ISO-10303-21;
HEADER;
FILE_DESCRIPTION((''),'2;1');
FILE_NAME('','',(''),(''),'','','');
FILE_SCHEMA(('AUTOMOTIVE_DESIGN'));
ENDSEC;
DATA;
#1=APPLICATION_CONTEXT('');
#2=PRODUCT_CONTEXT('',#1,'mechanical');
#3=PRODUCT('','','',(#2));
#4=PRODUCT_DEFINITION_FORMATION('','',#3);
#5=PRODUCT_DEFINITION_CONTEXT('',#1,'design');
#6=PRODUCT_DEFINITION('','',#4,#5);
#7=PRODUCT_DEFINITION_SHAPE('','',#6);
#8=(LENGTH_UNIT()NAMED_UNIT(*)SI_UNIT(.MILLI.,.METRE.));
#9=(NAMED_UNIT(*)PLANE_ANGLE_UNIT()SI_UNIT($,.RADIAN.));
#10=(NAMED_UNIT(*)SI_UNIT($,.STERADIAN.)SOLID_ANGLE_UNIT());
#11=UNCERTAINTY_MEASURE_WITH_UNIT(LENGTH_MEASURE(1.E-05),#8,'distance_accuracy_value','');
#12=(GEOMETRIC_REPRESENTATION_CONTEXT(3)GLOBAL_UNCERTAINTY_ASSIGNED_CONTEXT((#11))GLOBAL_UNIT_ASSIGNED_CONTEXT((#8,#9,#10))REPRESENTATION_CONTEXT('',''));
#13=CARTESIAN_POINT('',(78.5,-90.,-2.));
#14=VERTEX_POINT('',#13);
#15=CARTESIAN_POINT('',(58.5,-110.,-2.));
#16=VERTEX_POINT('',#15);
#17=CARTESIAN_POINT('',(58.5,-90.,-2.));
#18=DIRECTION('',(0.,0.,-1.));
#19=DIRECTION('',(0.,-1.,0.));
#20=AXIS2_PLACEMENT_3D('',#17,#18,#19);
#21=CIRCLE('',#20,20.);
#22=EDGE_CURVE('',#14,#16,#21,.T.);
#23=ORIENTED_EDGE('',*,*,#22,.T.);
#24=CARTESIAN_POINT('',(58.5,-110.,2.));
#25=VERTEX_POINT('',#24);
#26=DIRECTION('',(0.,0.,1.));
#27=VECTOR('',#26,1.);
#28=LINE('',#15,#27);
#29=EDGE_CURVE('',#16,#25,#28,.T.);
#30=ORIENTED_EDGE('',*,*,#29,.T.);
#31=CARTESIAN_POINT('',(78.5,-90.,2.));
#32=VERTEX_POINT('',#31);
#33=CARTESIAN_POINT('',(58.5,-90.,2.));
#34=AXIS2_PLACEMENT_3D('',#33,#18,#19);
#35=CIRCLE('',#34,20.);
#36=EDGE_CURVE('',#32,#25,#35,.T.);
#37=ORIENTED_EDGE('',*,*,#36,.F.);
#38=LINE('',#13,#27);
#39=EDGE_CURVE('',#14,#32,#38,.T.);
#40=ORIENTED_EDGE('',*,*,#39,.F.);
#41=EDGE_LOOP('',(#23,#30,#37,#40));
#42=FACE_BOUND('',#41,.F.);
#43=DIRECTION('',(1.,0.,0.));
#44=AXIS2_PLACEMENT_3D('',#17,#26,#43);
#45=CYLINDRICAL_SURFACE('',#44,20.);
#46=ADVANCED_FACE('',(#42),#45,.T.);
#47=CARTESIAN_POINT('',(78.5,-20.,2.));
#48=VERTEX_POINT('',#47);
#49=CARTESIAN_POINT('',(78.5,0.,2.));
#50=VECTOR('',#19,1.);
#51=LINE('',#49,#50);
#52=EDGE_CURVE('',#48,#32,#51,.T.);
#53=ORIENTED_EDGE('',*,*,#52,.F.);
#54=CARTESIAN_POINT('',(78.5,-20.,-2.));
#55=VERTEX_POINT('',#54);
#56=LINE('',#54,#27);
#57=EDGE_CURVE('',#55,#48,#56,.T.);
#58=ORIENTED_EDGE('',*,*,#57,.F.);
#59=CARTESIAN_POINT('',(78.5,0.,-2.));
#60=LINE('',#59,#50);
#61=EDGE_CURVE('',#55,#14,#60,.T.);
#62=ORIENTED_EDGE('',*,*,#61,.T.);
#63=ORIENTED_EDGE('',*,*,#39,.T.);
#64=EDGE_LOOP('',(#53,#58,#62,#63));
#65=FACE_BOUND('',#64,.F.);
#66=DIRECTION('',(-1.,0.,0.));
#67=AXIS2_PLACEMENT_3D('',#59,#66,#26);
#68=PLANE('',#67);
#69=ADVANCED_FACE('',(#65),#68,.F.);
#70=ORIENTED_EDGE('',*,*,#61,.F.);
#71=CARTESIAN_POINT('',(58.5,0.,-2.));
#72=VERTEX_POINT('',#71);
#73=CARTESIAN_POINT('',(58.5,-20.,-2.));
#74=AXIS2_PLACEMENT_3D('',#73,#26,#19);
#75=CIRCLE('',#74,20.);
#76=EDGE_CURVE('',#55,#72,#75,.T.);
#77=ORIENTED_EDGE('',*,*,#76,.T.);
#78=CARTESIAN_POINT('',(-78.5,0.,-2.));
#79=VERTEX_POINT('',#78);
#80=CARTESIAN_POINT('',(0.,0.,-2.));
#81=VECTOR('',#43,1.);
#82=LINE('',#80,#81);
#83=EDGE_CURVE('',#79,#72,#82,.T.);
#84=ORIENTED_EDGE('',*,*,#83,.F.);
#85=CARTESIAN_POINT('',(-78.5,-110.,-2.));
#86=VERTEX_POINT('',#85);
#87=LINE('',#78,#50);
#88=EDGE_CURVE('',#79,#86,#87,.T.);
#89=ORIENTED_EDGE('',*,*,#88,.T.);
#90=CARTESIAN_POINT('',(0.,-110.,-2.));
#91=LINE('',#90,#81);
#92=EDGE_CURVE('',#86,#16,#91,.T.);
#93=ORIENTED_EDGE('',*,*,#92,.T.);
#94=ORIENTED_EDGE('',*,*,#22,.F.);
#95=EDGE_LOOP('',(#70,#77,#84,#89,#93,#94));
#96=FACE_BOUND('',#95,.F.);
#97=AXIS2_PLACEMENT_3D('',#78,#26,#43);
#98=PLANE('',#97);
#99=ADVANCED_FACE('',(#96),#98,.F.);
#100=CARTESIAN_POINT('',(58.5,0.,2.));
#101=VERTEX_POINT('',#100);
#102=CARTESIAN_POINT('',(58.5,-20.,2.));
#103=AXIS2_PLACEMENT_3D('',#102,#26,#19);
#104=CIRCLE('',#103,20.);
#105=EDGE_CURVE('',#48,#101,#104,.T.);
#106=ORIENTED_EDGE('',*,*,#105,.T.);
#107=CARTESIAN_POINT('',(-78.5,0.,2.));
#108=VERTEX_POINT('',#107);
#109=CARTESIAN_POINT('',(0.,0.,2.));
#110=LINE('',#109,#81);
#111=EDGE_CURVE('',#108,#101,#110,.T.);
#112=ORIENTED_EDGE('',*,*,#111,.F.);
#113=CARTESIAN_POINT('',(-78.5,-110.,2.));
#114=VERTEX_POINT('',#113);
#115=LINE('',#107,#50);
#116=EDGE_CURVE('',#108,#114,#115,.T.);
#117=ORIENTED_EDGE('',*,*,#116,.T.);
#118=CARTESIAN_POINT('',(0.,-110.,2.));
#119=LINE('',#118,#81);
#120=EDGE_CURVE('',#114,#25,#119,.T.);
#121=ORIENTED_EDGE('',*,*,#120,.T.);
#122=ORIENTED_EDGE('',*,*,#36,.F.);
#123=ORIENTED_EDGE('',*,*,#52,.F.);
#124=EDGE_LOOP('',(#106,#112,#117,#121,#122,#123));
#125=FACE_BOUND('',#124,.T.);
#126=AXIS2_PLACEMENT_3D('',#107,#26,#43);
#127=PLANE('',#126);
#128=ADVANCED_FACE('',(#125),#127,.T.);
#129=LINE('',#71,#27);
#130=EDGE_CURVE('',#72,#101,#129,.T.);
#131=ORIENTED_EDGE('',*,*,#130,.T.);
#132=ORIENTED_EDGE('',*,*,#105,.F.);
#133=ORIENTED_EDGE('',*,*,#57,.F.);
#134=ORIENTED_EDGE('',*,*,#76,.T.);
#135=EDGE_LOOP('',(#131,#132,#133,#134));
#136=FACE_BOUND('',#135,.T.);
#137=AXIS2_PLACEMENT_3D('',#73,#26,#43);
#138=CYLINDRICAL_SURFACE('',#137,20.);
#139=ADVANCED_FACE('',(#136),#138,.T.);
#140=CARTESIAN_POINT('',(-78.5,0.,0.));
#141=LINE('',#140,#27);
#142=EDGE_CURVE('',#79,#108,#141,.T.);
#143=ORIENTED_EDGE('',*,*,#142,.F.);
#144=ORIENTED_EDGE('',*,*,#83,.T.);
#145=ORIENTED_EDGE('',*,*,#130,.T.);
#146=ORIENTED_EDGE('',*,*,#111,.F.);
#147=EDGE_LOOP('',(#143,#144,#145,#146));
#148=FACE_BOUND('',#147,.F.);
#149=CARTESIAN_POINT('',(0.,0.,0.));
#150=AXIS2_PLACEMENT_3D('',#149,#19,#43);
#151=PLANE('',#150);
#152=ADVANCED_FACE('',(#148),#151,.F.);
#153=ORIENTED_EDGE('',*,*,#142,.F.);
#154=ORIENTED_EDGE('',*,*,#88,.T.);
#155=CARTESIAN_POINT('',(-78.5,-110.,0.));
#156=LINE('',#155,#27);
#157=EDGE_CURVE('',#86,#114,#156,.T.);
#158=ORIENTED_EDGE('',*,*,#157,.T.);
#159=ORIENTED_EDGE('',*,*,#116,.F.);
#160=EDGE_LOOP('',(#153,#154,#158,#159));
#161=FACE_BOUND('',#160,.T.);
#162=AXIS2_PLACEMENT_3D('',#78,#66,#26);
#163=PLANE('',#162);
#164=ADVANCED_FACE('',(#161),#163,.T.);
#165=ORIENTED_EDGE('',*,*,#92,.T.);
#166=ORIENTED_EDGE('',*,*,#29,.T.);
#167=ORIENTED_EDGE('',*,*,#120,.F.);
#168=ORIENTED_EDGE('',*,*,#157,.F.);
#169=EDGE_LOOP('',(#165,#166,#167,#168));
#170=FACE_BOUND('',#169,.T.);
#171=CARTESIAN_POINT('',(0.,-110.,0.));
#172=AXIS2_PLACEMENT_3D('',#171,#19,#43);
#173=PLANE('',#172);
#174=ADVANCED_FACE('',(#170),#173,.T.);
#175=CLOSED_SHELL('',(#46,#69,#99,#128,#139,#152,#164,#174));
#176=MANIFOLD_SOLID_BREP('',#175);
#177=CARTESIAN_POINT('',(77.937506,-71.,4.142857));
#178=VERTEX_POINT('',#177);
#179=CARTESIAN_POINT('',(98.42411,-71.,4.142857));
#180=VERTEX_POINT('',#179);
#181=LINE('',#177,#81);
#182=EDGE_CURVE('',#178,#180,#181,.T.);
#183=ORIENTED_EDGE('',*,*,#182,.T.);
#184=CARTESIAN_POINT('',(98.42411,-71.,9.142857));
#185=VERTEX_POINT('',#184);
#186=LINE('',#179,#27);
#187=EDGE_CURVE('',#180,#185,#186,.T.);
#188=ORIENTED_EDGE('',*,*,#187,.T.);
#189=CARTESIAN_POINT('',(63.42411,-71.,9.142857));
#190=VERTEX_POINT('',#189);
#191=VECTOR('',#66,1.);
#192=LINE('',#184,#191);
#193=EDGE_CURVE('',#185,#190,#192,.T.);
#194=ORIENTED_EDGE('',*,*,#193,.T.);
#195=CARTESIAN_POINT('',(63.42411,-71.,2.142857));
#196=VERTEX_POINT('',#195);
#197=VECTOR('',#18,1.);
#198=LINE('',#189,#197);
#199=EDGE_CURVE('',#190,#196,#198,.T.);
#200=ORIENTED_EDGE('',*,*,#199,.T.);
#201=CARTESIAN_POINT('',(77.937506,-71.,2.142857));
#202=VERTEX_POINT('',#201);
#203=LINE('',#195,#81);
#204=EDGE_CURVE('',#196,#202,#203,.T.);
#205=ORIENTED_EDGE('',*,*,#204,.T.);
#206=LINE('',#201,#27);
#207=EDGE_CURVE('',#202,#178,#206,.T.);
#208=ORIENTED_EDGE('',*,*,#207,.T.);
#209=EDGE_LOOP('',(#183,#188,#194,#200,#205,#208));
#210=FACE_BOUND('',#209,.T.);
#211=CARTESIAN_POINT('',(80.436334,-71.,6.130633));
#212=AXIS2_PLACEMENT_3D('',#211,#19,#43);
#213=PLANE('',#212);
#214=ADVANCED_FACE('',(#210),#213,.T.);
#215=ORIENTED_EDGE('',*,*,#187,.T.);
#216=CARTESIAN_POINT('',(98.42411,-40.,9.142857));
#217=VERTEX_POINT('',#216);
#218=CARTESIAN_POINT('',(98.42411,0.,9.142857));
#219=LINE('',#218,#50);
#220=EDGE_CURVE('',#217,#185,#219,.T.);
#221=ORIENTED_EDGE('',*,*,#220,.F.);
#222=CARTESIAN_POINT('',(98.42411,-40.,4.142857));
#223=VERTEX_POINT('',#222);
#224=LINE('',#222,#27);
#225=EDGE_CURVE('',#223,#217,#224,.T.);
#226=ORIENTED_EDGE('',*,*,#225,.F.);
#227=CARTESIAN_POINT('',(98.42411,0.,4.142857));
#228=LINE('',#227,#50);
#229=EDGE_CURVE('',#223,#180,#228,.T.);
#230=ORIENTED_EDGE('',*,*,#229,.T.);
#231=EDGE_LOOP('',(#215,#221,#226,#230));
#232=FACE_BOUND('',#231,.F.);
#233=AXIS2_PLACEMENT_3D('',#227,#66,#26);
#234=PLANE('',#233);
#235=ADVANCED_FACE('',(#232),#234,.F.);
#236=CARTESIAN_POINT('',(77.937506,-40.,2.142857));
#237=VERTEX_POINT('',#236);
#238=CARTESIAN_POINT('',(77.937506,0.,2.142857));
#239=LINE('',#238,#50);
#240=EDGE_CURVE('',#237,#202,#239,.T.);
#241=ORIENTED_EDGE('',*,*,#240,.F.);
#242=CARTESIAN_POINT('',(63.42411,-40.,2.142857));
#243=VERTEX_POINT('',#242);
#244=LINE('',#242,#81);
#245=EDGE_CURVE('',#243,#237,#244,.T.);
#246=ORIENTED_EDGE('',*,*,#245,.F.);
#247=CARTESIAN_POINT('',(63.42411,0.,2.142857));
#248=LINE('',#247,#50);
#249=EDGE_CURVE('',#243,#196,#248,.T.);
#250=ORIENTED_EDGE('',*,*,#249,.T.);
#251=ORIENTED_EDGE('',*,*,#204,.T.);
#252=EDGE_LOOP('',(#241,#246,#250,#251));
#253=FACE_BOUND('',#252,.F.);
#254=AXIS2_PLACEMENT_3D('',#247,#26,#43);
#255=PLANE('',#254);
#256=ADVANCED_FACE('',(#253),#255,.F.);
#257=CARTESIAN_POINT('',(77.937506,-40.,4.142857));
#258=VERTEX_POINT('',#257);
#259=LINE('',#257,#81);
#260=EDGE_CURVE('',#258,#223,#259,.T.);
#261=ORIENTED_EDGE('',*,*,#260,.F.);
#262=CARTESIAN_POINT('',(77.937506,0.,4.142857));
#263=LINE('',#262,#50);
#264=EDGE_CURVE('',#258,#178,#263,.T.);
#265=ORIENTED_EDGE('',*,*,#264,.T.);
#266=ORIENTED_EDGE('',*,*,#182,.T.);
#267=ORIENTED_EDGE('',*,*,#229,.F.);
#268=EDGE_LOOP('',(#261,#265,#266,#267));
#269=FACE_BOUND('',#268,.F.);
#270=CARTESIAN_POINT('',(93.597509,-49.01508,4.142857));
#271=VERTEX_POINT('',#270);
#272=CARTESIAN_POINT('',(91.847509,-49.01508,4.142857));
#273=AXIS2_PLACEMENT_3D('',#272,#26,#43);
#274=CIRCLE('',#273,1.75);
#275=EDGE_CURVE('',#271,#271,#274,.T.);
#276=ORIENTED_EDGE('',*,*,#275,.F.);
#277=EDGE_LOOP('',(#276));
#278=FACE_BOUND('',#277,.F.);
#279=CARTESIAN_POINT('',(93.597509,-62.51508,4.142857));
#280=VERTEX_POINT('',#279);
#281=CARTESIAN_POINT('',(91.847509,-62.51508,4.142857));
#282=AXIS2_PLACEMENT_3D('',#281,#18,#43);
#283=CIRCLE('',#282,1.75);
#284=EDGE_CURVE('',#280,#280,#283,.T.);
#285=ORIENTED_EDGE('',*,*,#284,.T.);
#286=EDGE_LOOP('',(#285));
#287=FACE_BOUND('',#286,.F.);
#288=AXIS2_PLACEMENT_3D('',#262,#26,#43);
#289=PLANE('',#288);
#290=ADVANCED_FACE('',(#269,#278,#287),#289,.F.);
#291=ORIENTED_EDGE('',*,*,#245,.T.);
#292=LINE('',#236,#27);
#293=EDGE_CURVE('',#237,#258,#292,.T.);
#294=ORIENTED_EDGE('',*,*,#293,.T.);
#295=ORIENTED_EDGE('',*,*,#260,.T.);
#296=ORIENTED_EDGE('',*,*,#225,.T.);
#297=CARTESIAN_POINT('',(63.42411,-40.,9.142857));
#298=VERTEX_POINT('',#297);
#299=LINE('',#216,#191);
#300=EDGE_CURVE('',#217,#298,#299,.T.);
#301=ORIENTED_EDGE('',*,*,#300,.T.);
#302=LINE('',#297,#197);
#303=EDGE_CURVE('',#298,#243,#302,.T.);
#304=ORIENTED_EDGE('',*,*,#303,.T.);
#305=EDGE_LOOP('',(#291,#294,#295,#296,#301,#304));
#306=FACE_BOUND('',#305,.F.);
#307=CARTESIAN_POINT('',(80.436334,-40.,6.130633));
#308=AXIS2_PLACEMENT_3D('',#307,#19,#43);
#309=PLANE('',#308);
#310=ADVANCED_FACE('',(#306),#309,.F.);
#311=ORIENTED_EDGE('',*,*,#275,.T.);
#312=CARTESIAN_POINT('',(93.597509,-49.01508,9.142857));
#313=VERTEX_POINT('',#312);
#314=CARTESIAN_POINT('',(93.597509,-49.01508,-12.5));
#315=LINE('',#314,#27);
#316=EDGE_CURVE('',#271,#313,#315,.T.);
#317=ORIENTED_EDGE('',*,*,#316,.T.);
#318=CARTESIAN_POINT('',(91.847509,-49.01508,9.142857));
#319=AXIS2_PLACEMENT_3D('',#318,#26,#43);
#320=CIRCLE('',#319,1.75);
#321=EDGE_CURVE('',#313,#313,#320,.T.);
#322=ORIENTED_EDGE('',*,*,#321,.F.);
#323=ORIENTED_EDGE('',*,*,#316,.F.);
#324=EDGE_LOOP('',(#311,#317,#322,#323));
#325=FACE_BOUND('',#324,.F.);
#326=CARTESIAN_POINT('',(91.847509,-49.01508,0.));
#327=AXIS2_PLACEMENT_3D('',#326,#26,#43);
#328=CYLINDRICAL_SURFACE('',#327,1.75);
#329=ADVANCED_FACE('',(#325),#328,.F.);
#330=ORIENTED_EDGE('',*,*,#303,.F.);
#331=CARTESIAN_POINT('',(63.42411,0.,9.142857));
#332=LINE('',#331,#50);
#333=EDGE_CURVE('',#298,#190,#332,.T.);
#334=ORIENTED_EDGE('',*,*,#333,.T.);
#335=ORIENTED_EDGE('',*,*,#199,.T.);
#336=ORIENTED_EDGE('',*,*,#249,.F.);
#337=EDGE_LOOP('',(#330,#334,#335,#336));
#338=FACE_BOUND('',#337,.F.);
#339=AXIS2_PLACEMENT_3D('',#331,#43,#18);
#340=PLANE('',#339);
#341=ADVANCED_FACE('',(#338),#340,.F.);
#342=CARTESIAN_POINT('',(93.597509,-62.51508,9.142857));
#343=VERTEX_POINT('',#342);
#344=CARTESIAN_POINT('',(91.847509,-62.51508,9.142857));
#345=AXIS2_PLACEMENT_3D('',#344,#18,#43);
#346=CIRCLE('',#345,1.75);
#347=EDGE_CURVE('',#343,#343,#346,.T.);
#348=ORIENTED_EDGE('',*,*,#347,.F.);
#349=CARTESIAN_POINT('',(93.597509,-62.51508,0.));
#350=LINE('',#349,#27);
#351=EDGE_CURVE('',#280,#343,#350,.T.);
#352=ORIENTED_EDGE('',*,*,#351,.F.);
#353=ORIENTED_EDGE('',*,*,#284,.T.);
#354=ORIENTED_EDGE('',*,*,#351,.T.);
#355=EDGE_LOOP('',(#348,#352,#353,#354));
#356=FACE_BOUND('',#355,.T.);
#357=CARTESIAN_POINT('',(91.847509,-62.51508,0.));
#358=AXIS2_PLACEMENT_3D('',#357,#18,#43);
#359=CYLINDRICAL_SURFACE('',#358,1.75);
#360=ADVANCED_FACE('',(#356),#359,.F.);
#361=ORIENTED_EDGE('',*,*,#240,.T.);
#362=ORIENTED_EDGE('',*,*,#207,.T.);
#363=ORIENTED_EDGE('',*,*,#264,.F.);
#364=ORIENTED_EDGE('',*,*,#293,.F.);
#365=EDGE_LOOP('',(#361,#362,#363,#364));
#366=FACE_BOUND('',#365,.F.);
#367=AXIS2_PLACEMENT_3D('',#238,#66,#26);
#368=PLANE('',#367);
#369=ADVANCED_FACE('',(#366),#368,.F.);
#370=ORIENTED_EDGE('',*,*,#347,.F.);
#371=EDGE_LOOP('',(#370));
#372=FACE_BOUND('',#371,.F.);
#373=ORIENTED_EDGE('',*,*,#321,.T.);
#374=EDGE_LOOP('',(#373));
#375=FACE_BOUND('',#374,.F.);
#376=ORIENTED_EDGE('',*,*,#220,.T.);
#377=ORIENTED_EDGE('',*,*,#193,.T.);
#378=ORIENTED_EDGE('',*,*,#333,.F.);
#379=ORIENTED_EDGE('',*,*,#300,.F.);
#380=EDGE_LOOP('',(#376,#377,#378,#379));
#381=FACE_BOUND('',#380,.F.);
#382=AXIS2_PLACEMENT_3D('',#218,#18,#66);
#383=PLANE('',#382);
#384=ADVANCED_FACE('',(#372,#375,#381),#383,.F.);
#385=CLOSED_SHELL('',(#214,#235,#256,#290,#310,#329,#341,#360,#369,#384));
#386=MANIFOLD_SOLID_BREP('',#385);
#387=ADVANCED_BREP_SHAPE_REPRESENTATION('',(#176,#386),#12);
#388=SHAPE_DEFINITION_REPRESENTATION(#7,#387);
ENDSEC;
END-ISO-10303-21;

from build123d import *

# Parameters (mm, degrees)
F0_W     = 157
F0_H     = 4
F1_DEPTH = 110
F3_DEPTH = 71
F4_DEPTH = 40
F5_R     = 20
F6_R     = 20
F7_R     = 1.75
F8_DEPTH = 12.5
F9_DEPTH = 12.5


with BuildPart() as f1:
    # F0 (on Front) → F1 (new body)
    with BuildSketch(Plane.XZ):
        Rectangle(F0_W, F0_H)
    extrude(amount=F1_DEPTH)

    # F5
    f5_edges = [f1.edges().sort_by_distance(p)[0] for p in [
        (78.5, -110, 0),
    ]]
    fillet(f5_edges, radius=F5_R)

    # F6
    f6_edges = [f1.edges().sort_by_distance(p)[0] for p in [
        (78.5, 0, 0),
    ]]
    fillet(f6_edges, radius=F6_R)


with BuildPart() as f3:
    # F2 (on Front) → F3 (new body)
    with BuildSketch(Plane.XZ):
        Polygon((63.42411, 9.142857), (63.42411, 2.142857), (77.937506, 2.142857), (77.937506, 4.142857), (98.42411, 4.142857), (98.42411, 9.142857), align=None)
    extrude(amount=F3_DEPTH)

    # F2 (on Front) → F4 (cut)
    with BuildSketch(Plane.XZ):
        Polygon((63.42411, 9.142857), (63.42411, 2.142857), (77.937506, 2.142857), (77.937506, 4.142857), (98.42411, 4.142857), (98.42411, 9.142857), align=None)
    extrude(amount=F4_DEPTH, mode=Mode.SUBTRACT)

    # F7 (on Top) → F8 (join, symmetric)
    with BuildSketch(Plane.XY):
        with Locations((91.847509, -62.51508)):
            Circle(F7_R)
        with Locations((91.847509, -49.01508)):
            Circle(F7_R)
    extrude(amount=F8_DEPTH, both=True)

    # F7 (on Top) → F9 (cut, symmetric)
    with BuildSketch(Plane.XY):
        with Locations((91.847509, -62.51508)):
            Circle(F7_R)
        with Locations((91.847509, -49.01508)):
            Circle(F7_R)
    extrude(amount=F9_DEPTH, both=True, mode=Mode.SUBTRACT)


solid = Compound([f1.part, f3.part])
